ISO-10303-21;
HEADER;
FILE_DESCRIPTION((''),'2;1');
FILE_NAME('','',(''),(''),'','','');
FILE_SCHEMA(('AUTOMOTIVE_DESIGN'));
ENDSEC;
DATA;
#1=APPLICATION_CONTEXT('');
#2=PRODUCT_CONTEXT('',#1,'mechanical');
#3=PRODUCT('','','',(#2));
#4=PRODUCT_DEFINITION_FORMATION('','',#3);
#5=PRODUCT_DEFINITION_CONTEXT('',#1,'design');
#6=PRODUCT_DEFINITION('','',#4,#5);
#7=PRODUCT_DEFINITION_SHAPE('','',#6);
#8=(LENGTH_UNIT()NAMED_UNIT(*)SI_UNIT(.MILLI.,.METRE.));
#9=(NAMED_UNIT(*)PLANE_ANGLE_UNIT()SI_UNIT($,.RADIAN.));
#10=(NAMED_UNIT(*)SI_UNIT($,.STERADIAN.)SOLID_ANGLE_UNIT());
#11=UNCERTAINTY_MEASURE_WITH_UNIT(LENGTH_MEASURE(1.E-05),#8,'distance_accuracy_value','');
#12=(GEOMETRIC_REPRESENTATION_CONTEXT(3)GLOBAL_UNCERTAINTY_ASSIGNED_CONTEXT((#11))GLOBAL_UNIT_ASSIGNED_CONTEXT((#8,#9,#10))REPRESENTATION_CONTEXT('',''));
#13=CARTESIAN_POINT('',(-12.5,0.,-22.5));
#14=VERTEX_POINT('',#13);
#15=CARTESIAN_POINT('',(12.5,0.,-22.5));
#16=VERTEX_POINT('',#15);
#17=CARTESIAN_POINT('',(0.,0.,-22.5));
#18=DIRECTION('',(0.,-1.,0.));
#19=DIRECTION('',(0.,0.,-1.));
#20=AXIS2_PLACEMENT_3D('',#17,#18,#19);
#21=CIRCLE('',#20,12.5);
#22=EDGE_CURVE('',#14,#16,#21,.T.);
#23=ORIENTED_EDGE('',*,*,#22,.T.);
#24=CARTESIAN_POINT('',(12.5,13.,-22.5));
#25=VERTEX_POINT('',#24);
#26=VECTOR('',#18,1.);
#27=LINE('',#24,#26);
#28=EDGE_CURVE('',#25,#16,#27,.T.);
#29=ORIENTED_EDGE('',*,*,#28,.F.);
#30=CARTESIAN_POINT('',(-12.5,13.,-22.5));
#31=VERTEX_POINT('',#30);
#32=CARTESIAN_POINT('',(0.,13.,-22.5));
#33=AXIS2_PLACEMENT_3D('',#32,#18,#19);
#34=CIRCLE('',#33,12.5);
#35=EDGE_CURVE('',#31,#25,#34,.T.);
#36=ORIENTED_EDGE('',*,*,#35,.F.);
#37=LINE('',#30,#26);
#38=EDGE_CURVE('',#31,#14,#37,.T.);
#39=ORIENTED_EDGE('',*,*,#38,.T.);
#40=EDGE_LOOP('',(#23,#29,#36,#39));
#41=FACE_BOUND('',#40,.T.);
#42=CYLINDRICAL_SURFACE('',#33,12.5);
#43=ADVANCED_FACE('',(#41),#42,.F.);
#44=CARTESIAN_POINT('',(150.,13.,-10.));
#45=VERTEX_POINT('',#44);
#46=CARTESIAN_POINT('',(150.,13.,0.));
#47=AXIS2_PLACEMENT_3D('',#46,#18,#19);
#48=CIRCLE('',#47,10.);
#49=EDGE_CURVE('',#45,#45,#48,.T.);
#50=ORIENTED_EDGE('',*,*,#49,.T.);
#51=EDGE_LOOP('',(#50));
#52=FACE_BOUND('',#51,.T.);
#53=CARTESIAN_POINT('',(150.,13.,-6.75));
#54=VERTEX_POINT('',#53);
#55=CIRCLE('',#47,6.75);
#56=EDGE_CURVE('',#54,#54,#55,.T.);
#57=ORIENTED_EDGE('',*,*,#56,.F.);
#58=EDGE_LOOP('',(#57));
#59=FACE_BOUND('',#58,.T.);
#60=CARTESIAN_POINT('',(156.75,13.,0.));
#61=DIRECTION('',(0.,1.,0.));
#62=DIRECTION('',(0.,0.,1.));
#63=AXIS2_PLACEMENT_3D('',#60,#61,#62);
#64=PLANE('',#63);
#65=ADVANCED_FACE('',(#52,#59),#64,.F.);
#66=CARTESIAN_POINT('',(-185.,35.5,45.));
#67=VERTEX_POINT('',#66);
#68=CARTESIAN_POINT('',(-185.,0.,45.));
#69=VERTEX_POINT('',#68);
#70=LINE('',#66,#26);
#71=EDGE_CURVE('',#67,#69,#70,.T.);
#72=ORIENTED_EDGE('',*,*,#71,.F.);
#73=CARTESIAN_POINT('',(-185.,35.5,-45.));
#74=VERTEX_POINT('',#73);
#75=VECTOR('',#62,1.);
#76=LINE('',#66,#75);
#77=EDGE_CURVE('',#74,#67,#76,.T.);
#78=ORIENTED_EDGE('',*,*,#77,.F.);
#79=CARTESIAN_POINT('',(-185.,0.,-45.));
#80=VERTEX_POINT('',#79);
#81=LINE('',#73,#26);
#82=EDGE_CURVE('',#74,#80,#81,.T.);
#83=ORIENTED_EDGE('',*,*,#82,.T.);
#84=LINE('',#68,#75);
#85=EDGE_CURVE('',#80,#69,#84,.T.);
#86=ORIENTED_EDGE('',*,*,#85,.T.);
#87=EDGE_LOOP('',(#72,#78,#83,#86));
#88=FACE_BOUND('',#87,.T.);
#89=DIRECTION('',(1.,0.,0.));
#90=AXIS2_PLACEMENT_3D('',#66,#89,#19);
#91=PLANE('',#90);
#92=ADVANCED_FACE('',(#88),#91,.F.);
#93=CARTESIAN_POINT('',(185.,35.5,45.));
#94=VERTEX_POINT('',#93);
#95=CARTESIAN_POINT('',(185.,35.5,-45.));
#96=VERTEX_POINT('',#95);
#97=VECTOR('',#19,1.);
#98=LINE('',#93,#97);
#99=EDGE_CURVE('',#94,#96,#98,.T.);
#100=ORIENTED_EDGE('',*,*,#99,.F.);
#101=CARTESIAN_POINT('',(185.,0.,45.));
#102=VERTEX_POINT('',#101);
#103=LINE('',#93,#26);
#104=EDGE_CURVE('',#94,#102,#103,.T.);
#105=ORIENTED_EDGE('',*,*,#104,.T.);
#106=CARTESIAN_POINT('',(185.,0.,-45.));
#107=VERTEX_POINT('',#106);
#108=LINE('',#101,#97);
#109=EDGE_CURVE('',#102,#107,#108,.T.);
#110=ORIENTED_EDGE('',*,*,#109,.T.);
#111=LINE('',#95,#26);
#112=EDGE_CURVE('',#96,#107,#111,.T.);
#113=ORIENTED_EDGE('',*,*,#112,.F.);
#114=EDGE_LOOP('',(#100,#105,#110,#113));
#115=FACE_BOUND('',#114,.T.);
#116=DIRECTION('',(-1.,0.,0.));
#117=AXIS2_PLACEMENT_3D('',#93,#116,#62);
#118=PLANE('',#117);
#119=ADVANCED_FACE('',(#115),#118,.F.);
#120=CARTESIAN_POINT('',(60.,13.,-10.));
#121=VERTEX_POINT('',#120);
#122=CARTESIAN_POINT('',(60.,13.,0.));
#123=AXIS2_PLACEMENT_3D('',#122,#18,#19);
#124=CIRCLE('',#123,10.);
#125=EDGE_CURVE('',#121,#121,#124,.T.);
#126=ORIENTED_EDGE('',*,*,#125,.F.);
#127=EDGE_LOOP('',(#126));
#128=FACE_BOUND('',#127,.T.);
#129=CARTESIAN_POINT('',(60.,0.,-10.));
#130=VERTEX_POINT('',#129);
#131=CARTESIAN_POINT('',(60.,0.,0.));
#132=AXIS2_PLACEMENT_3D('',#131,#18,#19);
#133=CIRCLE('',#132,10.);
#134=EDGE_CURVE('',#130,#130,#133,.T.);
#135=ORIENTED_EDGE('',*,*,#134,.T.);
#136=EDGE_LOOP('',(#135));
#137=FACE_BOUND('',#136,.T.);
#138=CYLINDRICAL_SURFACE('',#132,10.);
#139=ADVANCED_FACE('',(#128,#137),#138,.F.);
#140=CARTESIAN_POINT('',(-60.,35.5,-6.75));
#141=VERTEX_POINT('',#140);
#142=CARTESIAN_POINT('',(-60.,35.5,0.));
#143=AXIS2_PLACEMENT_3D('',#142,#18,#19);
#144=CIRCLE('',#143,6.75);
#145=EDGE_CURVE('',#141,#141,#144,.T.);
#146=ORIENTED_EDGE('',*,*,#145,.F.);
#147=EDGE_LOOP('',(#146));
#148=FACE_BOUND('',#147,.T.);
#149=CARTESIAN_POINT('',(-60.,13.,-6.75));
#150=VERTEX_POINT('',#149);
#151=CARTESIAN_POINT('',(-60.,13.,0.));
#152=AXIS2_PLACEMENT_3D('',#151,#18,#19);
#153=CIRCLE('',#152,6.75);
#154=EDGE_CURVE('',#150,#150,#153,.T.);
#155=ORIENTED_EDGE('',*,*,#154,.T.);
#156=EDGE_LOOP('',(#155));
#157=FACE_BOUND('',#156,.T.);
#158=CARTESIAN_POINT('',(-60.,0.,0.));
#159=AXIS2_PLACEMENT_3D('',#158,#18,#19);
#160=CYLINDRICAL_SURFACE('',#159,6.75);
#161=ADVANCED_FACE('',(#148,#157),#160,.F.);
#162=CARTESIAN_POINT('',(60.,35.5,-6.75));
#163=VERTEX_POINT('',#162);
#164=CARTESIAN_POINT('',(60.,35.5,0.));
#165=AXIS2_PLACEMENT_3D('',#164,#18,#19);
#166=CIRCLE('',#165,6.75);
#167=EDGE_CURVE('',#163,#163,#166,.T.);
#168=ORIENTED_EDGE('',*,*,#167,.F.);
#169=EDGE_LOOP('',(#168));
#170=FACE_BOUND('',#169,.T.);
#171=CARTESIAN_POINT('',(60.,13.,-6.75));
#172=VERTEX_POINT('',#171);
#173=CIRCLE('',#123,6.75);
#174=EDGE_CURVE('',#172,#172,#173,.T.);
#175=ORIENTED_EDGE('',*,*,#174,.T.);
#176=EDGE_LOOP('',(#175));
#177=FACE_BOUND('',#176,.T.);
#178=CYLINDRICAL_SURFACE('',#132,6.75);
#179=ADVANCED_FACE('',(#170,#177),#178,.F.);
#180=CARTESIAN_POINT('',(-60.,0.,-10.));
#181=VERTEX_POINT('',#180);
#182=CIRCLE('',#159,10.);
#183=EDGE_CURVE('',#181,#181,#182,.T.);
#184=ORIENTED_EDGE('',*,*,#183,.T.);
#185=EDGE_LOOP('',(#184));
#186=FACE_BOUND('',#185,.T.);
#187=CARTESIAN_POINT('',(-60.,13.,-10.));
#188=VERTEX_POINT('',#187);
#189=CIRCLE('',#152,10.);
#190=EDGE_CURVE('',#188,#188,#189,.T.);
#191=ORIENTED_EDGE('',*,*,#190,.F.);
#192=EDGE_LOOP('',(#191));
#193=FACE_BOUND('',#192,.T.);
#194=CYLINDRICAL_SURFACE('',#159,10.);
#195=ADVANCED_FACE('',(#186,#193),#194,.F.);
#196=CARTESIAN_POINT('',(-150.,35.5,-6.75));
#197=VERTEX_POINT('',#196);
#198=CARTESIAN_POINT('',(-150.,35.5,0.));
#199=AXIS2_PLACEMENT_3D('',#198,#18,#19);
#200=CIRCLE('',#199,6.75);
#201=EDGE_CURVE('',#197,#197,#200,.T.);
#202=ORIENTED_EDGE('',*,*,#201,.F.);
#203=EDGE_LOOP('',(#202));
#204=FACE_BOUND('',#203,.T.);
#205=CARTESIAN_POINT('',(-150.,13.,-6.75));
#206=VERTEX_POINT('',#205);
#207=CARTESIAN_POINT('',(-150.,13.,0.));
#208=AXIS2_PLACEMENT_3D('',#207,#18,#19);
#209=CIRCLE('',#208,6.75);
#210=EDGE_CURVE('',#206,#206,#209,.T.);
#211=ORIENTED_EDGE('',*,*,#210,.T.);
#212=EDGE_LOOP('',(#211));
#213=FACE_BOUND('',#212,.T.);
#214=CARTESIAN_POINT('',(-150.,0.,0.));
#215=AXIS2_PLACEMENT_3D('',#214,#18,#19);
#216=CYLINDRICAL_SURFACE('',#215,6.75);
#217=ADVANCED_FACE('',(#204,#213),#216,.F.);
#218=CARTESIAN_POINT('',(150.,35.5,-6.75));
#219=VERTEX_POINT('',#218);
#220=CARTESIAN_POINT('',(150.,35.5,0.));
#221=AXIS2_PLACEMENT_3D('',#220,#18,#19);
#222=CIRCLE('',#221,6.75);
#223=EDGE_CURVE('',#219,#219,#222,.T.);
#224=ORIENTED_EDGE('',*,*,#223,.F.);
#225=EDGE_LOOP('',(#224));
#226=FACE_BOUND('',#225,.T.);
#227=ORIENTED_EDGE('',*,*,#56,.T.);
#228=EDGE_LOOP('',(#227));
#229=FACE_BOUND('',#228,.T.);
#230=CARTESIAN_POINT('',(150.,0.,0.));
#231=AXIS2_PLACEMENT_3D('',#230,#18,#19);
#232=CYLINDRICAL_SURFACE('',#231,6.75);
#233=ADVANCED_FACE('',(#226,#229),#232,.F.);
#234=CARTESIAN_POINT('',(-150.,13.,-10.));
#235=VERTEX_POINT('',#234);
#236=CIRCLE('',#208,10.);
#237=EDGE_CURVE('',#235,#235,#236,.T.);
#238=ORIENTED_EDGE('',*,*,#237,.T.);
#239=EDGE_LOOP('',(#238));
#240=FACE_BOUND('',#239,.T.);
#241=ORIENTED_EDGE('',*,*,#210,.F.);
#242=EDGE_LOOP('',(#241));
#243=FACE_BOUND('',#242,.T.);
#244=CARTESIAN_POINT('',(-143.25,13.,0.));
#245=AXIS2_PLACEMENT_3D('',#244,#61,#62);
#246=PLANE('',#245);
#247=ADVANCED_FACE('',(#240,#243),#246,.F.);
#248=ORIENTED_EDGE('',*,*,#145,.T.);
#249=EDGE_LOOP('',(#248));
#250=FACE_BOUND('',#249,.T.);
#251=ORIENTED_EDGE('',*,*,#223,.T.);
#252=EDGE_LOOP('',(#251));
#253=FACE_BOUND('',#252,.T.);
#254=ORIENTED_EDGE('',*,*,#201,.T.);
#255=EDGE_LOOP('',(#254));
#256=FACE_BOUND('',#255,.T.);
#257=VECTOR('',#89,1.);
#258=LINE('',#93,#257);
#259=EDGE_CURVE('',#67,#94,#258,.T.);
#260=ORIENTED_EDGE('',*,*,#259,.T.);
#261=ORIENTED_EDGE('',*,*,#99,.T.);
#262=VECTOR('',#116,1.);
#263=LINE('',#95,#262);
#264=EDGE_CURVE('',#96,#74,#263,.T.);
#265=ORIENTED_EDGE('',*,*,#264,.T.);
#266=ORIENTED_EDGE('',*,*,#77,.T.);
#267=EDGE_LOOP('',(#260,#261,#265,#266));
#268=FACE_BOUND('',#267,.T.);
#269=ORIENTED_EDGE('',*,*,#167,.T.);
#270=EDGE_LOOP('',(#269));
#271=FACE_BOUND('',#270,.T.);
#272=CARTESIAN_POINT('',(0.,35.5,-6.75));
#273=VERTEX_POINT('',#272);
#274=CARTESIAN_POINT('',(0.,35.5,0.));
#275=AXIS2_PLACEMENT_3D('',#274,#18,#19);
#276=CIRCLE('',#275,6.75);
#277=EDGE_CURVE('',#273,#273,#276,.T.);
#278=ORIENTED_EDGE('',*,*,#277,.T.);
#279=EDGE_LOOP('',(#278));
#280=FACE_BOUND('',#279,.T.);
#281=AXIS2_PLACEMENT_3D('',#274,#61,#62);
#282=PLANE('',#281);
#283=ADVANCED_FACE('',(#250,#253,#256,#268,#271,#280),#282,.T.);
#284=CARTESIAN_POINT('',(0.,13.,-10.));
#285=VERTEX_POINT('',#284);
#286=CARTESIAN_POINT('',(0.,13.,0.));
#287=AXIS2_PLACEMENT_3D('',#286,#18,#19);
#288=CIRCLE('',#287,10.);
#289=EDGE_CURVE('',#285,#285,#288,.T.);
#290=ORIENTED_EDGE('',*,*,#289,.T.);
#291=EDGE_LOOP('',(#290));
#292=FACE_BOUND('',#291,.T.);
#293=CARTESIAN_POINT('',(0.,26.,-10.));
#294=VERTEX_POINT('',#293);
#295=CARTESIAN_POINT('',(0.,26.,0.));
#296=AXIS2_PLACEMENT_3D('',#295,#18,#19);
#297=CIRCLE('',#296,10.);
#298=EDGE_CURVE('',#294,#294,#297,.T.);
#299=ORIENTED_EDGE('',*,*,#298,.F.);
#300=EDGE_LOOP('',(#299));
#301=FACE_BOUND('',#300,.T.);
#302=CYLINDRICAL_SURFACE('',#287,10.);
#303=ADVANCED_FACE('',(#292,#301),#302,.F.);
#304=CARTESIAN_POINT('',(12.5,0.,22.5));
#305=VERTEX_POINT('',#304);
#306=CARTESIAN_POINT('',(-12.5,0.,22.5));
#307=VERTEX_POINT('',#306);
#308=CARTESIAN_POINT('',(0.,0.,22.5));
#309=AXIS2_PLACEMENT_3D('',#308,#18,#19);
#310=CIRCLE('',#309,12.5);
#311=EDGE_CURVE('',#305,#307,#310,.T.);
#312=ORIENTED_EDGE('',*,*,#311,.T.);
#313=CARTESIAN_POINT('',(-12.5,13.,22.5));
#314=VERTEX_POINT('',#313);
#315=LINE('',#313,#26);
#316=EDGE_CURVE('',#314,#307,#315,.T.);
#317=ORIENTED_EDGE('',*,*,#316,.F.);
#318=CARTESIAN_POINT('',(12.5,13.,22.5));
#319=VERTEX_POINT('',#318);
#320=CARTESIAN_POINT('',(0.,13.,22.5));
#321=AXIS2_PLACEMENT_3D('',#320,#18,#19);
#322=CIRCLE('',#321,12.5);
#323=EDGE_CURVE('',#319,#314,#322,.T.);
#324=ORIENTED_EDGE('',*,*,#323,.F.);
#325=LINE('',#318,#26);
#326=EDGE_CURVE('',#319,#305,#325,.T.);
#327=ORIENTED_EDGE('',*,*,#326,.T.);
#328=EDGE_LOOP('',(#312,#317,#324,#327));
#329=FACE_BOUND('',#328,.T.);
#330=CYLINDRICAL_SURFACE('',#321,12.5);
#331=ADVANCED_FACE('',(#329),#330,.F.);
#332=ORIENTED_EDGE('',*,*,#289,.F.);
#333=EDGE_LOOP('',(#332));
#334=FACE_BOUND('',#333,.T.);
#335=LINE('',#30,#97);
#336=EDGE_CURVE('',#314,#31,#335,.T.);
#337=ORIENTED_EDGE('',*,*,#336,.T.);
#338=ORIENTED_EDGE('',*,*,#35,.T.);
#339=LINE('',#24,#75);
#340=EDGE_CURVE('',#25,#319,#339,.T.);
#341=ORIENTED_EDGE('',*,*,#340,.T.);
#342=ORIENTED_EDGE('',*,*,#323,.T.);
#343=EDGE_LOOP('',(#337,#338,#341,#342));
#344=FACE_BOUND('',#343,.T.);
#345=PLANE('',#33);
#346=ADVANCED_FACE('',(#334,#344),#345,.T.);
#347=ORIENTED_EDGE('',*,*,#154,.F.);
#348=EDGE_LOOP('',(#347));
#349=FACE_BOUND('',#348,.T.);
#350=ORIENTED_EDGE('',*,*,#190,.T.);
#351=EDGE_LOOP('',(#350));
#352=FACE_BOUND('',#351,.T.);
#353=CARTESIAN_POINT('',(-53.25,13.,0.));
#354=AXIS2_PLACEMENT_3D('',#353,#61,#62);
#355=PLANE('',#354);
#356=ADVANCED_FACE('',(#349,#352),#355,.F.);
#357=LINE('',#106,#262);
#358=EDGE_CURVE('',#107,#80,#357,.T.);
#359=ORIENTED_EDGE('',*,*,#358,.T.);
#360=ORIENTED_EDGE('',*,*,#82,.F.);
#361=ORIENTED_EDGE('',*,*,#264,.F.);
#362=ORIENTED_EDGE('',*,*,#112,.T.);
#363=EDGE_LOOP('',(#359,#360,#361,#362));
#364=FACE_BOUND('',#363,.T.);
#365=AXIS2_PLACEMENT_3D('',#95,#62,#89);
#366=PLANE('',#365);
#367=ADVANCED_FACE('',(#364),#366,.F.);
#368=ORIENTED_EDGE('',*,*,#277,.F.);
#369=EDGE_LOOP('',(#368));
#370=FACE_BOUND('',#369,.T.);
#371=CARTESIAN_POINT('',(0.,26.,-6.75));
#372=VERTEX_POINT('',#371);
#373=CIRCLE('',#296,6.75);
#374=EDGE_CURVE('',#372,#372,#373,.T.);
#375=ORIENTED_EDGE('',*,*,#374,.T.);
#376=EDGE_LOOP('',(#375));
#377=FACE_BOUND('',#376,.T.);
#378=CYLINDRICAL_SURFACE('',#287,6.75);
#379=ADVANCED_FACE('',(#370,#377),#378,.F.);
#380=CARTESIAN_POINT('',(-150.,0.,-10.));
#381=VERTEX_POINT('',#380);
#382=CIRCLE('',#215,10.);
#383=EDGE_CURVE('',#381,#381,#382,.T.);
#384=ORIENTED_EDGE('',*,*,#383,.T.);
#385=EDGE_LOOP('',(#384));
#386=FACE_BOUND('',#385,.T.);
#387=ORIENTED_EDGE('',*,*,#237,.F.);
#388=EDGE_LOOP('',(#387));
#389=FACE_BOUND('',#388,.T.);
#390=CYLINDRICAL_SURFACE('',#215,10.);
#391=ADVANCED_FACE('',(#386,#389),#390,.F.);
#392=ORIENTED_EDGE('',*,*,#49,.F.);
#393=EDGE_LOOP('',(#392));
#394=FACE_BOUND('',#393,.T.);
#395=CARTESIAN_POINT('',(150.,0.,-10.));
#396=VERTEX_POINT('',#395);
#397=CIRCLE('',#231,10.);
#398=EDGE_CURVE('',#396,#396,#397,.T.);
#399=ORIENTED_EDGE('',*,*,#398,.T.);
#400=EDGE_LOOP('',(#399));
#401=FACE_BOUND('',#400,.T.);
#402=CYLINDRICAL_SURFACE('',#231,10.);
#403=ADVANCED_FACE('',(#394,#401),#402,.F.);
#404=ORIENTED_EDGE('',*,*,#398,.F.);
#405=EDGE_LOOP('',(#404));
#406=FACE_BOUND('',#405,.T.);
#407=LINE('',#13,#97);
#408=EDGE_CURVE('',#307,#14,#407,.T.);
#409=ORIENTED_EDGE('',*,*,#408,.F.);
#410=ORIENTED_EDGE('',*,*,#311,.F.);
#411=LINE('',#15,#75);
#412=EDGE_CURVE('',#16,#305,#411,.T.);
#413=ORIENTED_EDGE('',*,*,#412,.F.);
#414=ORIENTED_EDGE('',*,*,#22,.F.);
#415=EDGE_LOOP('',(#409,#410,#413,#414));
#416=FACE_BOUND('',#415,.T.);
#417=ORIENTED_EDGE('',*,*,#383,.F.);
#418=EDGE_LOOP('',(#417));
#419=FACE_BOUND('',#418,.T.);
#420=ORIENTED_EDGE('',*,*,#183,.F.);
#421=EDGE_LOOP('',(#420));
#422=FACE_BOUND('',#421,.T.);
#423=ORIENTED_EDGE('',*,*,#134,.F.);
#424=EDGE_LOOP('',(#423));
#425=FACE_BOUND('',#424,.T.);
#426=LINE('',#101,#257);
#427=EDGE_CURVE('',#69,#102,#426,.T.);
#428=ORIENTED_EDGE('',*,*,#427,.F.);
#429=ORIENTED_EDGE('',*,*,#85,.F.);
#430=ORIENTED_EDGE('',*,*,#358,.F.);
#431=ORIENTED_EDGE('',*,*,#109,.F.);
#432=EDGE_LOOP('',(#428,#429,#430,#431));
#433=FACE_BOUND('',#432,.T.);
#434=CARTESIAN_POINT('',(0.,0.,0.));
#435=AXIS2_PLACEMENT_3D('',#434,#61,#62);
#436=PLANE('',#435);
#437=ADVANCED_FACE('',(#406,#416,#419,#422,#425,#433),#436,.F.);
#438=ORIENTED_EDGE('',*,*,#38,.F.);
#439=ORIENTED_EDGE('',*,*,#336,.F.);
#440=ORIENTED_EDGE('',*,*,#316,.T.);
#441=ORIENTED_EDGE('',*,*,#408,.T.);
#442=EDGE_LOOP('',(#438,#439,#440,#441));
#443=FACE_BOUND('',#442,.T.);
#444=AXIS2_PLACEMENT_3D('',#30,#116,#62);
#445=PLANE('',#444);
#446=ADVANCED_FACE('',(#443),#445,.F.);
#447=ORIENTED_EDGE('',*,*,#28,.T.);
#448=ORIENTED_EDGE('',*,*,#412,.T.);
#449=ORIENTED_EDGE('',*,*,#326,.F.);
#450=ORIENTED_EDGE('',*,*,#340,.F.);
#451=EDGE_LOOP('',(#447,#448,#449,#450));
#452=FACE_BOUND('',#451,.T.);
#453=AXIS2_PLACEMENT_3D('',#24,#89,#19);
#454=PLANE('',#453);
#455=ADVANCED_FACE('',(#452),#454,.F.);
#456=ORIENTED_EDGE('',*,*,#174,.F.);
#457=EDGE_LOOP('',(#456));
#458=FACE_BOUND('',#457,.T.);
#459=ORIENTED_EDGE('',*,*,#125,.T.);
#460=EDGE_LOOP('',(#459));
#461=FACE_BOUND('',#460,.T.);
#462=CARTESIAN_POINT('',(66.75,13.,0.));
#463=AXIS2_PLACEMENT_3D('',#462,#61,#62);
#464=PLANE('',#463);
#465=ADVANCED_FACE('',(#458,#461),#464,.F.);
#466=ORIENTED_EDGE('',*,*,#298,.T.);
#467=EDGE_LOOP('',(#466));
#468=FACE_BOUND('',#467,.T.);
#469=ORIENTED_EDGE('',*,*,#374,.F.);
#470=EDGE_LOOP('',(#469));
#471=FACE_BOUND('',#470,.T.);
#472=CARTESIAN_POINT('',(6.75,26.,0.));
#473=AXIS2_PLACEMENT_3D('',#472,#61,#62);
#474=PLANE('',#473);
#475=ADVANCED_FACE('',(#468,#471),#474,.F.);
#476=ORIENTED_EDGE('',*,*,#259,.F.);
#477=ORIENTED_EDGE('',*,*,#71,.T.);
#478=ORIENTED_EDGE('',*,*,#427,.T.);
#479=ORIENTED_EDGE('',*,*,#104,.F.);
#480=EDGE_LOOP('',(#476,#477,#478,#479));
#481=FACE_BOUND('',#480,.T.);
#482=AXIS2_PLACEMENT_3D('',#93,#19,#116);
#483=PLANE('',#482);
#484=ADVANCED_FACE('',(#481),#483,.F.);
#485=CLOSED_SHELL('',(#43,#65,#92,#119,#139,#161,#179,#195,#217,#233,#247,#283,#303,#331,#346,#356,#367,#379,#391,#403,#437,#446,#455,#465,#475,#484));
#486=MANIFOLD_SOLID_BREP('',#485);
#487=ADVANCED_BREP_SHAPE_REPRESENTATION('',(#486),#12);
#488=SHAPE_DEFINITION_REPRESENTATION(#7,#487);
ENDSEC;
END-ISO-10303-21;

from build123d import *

# Parameters (mm, degrees)
SKETCH_3_W                    = 370
SKETCH_3_H                    = 90
EXTRUDE_2_DEPTH               = 35.5
HOLE_WIZARD_M12_1_D           = 13.5
HOLE_WIZARD_M12_1_CBORE_D     = 20
HOLE_WIZARD_M12_1_CBORE_DEPTH = 13
CUT_EXTRUDE_1_DEPTH           = 13
HOLE_WIZARD_M12_2_D           = 13.5
HOLE_WIZARD_M12_2_CBORE_D     = 20
HOLE_WIZARD_M12_2_CBORE_DEPTH = 13


with BuildPart() as part:
    # 草图3 → 凸台-拉伸2 (new body)
    with BuildSketch(Plane(origin=(0, 0, 0), x_dir=(1, 0, 0), z_dir=(0, 1, 0))):
        Rectangle(SKETCH_3_W, SKETCH_3_H)
    extrude(amount=EXTRUDE_2_DEPTH)

    # M12 六角头螺栓的柱形沉头孔1 (through all)
    with Locations(Plane(origin=(0, 0, 0), x_dir=(-1, 0, 0), z_dir=(0, -1, 0))):
        with Locations((-150, 0), (-60, 0), (60, 0), (150, 0)):
            CounterBoreHole(HOLE_WIZARD_M12_1_D / 2, HOLE_WIZARD_M12_1_CBORE_D / 2, HOLE_WIZARD_M12_1_CBORE_DEPTH)

    # 草图7 → 切除-拉伸1 (cut)
    with BuildSketch(Plane.XZ):
        with BuildLine():
            Line((-12.5, -22.5), (-12.5, 22.5))
            ThreePointArc((-12.5, 22.5), (0, 35), (12.5, 22.5))
            Line((12.5, 22.5), (12.5, -22.5))
            ThreePointArc((12.5, -22.5), (0, -35), (-12.5, -22.5))
        make_face()
    extrude(amount=-CUT_EXTRUDE_1_DEPTH, mode=Mode.SUBTRACT)

    # M12 六角头螺栓的柱形沉头孔2 (through all)
    with Locations(Plane(origin=(0, 13, 0), x_dir=(-1, 0, 0), z_dir=(0, -1, 0))):
        with Locations((0, 0)):
            CounterBoreHole(HOLE_WIZARD_M12_2_D / 2, HOLE_WIZARD_M12_2_CBORE_D / 2, HOLE_WIZARD_M12_2_CBORE_DEPTH)


solid = part.part
